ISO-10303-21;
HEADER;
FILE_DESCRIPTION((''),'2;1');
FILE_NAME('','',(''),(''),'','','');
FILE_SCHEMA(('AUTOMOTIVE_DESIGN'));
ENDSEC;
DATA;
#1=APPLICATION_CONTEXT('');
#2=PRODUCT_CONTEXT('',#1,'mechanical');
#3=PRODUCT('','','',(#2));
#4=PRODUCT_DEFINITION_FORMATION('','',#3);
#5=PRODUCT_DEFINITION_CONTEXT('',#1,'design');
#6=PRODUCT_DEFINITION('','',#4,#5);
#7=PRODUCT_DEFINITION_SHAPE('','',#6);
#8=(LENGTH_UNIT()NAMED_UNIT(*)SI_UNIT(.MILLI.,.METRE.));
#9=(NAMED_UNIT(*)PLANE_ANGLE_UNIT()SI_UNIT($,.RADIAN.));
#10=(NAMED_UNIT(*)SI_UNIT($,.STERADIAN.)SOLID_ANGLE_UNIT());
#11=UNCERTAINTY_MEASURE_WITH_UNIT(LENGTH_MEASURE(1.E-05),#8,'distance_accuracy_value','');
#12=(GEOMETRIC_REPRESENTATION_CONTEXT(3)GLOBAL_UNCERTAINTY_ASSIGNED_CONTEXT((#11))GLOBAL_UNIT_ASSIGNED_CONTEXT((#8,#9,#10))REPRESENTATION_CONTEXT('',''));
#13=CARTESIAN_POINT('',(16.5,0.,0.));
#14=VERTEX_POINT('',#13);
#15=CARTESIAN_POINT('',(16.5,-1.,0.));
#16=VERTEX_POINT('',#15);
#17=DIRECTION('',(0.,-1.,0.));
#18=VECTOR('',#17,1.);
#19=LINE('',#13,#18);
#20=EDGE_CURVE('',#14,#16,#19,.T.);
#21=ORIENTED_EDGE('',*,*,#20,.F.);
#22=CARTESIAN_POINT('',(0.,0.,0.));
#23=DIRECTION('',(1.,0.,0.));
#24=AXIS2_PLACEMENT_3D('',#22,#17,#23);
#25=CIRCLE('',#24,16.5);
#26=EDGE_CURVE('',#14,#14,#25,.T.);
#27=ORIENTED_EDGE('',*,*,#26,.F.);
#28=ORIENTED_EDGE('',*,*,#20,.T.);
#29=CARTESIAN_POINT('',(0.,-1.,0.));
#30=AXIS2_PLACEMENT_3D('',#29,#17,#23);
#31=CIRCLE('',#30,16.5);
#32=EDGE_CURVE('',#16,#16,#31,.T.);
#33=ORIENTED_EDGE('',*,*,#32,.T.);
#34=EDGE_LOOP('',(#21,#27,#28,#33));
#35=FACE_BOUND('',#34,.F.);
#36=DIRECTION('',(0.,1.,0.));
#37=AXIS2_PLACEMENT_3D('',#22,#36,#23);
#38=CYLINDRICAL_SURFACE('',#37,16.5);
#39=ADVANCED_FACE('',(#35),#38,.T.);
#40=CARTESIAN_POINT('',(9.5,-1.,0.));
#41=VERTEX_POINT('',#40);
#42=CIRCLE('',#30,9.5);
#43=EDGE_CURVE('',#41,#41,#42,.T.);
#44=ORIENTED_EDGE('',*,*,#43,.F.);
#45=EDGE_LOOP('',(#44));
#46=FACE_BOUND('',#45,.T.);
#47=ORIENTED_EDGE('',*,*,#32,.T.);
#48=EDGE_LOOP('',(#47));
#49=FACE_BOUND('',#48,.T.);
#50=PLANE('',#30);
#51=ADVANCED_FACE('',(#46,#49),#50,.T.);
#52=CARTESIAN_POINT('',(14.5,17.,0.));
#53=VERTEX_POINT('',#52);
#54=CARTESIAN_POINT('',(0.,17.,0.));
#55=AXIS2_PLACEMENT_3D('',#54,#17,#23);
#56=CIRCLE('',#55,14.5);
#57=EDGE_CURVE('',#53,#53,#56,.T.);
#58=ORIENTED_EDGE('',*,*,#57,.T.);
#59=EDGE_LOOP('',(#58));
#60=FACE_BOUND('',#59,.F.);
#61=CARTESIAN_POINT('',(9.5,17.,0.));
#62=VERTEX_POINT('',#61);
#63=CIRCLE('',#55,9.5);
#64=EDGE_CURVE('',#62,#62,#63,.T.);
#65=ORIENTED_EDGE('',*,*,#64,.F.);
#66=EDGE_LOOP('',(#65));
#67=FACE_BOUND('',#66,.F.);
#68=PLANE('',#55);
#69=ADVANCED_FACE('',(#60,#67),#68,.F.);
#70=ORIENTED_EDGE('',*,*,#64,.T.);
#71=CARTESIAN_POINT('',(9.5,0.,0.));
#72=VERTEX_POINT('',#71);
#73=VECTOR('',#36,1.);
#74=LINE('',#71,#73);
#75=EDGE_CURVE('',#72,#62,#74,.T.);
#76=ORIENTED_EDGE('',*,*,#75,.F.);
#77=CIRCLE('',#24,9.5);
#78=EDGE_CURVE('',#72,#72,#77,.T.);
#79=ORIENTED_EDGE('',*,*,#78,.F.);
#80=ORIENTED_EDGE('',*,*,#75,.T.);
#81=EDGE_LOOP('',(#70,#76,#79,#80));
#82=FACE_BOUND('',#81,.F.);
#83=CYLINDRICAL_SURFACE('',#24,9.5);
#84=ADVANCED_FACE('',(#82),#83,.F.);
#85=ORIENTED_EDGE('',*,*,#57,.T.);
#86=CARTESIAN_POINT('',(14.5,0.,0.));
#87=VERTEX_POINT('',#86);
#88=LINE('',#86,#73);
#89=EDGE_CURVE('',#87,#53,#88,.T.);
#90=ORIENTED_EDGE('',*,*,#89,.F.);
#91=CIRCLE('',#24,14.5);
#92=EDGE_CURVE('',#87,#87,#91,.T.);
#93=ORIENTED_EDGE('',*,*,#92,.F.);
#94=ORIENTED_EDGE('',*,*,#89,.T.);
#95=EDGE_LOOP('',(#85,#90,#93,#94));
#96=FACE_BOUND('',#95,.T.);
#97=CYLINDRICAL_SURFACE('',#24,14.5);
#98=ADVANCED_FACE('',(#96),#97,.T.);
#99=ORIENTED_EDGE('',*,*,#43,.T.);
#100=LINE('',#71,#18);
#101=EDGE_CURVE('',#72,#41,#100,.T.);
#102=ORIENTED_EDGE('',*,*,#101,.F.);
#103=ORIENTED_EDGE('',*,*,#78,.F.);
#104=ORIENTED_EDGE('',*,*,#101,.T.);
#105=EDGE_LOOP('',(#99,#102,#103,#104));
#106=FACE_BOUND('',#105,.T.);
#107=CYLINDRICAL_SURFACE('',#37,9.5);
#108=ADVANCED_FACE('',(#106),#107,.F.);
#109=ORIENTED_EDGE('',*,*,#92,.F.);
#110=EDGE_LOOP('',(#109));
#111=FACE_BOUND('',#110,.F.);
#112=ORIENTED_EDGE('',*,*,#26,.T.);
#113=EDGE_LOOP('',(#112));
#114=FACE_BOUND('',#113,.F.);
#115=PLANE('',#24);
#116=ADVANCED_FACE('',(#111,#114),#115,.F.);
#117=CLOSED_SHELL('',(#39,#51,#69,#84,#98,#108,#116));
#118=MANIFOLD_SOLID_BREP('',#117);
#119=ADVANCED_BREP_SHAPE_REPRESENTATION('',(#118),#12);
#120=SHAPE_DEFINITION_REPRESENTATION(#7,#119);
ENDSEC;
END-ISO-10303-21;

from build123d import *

# Parameters (mm, degrees)
F0_R     = 16.5
F0_R_2   = 14.5
F0_R_3   = 9.5
F1_DEPTH = 1
F2_DEPTH = 17


with BuildPart() as f1:
    # F0 (on Front) → F1 (new body)
    with BuildSketch(Plane.XZ):
        Circle(F0_R)
        Circle(F0_R_2, mode=Mode.SUBTRACT)
        Circle(F0_R_2)
        Circle(F0_R_3, mode=Mode.SUBTRACT)
    extrude(amount=F1_DEPTH)

    # F0 (on Front) → F2 (join)
    with BuildSketch(Plane.XZ):
        Circle(F0_R_2)
        Circle(F0_R_3, mode=Mode.SUBTRACT)
    extrude(amount=-F2_DEPTH)


solid = f1.part
